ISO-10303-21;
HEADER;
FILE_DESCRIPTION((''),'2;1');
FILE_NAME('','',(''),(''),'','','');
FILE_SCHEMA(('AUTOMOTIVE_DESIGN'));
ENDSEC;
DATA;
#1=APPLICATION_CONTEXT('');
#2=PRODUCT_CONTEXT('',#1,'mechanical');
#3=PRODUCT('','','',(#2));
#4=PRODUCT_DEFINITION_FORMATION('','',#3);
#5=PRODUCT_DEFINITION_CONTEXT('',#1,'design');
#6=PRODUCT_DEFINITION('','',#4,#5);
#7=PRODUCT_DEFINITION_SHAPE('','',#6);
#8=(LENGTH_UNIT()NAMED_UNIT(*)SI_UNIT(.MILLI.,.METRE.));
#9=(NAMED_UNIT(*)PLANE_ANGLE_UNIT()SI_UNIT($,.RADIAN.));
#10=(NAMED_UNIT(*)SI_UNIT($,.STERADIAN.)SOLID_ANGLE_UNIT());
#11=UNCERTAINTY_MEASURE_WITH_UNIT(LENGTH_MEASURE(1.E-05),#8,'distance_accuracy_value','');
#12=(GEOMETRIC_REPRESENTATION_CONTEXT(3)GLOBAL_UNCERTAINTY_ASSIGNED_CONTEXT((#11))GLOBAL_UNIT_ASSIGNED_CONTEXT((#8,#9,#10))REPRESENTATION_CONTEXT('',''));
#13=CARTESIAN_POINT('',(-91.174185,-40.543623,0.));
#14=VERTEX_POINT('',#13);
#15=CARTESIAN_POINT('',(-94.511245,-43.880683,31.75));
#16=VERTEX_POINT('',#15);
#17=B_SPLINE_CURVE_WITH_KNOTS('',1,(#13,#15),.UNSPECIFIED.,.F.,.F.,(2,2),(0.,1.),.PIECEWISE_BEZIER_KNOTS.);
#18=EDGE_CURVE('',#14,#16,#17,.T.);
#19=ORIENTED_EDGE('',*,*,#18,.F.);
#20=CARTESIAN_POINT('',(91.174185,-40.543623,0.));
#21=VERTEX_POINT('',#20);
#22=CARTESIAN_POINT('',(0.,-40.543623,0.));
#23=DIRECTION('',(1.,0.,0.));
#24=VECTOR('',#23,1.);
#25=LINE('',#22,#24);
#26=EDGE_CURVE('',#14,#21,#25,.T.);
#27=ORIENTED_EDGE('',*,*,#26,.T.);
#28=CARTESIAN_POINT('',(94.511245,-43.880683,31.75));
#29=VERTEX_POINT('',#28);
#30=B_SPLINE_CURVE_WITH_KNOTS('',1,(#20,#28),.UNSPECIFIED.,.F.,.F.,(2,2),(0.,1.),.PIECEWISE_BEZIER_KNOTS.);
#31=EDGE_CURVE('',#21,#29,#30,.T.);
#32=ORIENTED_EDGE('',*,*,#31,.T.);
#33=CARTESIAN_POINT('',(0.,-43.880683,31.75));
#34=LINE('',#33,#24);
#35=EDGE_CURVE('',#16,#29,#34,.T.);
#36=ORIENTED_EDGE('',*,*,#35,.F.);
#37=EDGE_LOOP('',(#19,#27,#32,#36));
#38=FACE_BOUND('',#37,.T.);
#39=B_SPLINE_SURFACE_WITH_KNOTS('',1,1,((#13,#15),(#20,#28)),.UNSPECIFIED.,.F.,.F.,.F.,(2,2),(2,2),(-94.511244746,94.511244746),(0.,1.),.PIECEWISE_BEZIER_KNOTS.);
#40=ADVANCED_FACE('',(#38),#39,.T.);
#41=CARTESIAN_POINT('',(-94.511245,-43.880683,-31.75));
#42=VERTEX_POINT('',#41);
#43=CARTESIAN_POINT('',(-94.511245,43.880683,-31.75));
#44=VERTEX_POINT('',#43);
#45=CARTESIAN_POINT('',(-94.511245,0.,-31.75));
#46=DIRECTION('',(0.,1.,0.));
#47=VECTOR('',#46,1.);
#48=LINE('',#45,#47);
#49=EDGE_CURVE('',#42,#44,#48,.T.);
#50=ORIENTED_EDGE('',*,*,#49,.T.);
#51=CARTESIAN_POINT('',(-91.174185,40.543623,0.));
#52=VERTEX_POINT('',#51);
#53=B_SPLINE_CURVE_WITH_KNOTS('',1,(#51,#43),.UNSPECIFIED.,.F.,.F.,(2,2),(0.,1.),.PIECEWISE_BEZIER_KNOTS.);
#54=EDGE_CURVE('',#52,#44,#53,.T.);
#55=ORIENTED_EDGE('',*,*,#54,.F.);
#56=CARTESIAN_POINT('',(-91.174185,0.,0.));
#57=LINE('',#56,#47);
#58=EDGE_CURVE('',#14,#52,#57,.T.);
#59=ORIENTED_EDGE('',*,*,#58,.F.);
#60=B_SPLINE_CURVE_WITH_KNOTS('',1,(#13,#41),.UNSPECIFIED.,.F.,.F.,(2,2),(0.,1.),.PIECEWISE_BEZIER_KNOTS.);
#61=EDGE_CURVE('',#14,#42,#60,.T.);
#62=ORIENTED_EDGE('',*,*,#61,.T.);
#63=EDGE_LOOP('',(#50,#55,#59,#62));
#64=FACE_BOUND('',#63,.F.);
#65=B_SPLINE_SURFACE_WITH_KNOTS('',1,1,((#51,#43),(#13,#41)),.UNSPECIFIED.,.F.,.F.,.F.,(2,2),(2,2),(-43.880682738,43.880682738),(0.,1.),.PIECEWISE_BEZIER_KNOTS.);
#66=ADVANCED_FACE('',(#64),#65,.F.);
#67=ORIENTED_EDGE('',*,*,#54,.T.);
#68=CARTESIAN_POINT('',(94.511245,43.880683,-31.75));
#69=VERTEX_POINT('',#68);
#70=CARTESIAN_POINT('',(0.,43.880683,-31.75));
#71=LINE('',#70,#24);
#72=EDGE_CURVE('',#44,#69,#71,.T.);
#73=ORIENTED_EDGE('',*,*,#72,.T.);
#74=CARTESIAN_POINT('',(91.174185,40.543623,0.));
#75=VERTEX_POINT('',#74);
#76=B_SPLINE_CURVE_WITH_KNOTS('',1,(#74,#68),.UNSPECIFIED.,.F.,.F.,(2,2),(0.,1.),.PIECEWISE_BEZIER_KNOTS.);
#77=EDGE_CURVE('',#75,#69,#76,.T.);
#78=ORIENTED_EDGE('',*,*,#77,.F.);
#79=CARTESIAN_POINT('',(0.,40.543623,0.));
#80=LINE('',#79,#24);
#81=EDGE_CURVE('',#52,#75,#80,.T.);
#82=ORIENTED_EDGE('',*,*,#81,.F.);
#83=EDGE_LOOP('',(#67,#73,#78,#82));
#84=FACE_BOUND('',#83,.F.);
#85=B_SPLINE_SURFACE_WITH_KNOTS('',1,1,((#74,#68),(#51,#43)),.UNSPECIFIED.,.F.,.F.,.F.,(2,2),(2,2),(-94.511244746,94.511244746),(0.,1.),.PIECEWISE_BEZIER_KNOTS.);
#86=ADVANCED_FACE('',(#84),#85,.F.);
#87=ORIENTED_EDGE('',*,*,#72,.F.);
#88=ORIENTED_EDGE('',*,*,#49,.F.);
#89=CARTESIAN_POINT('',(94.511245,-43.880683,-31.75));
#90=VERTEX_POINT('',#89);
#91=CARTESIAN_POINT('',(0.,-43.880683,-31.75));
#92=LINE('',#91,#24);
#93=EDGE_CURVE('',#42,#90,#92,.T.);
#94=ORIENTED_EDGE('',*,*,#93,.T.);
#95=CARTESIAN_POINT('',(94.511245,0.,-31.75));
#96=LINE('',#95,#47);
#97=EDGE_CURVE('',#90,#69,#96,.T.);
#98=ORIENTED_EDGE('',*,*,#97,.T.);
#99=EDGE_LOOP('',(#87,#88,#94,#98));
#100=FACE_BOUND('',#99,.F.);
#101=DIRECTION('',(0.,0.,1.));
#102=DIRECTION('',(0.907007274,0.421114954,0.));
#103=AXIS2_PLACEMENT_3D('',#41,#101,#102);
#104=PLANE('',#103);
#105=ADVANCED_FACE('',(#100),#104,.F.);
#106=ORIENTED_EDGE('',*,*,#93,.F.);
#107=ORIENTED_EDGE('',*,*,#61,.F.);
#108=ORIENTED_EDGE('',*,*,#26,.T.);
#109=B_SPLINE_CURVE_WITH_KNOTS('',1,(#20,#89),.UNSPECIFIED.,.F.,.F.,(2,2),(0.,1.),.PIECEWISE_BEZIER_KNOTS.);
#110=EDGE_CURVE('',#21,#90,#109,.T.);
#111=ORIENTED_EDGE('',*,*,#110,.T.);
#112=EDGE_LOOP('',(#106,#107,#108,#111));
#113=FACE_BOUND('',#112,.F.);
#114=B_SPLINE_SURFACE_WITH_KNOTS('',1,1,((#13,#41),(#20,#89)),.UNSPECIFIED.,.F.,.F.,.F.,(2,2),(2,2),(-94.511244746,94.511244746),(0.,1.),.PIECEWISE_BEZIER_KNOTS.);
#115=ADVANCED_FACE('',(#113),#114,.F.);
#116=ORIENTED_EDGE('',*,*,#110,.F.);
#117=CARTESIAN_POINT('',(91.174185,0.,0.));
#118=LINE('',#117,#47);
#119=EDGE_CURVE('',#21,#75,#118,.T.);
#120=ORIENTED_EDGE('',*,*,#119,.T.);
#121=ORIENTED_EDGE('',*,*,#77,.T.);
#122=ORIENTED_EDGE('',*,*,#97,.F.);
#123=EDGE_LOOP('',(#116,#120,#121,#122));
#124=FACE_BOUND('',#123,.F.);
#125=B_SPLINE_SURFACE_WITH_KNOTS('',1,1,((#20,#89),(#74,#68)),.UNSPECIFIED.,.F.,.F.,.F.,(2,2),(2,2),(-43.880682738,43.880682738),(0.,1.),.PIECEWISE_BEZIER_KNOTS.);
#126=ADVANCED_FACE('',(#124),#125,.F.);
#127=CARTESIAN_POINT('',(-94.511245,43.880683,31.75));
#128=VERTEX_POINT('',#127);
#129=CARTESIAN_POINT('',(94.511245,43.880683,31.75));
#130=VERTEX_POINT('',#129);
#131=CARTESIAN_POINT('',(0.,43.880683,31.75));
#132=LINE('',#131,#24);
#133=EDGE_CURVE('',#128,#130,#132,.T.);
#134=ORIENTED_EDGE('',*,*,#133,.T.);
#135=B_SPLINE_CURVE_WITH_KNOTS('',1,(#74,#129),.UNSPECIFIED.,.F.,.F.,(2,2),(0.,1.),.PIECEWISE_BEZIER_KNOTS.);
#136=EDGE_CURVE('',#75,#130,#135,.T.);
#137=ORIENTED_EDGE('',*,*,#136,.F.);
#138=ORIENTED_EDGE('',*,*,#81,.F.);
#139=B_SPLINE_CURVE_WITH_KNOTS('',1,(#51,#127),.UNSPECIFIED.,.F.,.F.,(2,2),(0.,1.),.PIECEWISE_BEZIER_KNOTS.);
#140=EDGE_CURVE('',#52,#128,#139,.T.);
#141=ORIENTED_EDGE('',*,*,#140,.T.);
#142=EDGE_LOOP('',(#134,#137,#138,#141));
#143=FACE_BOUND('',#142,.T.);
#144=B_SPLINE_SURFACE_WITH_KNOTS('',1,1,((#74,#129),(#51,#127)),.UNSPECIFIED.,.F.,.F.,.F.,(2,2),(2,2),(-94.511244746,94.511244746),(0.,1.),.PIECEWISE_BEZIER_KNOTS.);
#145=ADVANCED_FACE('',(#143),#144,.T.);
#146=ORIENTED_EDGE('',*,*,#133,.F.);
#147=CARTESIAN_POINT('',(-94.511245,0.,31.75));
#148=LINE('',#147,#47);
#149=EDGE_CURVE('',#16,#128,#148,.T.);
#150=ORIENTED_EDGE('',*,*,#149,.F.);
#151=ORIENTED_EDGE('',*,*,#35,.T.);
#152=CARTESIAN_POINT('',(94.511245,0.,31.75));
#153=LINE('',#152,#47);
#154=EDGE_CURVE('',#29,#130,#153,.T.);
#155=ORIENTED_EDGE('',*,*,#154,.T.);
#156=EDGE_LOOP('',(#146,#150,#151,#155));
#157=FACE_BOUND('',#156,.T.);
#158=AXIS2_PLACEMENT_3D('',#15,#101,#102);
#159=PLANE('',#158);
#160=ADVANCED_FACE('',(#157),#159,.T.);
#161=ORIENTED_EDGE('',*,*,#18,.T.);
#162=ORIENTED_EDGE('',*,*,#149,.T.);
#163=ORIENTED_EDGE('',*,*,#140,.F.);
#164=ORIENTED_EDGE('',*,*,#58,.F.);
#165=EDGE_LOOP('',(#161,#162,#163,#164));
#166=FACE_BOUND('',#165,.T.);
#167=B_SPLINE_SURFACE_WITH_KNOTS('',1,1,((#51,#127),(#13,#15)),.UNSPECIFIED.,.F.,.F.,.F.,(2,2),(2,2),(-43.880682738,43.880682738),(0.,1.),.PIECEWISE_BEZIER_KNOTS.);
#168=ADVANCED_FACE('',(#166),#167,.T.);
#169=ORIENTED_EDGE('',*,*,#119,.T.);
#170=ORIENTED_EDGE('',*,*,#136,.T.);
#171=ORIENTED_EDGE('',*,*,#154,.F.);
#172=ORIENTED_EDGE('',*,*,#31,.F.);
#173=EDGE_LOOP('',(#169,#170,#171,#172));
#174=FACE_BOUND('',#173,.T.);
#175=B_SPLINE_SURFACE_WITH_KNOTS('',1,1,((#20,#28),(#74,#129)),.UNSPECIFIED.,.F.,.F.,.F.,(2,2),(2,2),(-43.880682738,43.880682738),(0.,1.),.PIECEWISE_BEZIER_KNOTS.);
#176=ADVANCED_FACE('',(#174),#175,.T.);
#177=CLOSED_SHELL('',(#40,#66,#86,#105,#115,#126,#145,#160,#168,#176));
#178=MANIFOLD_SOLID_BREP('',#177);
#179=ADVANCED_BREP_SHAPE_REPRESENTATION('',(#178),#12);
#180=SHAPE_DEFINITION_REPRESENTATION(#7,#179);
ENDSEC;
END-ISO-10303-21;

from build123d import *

# Parameters (mm, degrees)
F0_W     = 182.3483705521
F0_H     = 81.0872465372
F1_DEPTH = 31.75
F1_TAPER = -6


with BuildPart() as f1:
    # F0 (on Top) → F1 (new body, symmetric)
    with BuildSketch(Plane.XY):
        Rectangle(F0_W, F0_H)
    extrude(amount=F1_DEPTH, both=True, taper=F1_TAPER)


solid = f1.part
